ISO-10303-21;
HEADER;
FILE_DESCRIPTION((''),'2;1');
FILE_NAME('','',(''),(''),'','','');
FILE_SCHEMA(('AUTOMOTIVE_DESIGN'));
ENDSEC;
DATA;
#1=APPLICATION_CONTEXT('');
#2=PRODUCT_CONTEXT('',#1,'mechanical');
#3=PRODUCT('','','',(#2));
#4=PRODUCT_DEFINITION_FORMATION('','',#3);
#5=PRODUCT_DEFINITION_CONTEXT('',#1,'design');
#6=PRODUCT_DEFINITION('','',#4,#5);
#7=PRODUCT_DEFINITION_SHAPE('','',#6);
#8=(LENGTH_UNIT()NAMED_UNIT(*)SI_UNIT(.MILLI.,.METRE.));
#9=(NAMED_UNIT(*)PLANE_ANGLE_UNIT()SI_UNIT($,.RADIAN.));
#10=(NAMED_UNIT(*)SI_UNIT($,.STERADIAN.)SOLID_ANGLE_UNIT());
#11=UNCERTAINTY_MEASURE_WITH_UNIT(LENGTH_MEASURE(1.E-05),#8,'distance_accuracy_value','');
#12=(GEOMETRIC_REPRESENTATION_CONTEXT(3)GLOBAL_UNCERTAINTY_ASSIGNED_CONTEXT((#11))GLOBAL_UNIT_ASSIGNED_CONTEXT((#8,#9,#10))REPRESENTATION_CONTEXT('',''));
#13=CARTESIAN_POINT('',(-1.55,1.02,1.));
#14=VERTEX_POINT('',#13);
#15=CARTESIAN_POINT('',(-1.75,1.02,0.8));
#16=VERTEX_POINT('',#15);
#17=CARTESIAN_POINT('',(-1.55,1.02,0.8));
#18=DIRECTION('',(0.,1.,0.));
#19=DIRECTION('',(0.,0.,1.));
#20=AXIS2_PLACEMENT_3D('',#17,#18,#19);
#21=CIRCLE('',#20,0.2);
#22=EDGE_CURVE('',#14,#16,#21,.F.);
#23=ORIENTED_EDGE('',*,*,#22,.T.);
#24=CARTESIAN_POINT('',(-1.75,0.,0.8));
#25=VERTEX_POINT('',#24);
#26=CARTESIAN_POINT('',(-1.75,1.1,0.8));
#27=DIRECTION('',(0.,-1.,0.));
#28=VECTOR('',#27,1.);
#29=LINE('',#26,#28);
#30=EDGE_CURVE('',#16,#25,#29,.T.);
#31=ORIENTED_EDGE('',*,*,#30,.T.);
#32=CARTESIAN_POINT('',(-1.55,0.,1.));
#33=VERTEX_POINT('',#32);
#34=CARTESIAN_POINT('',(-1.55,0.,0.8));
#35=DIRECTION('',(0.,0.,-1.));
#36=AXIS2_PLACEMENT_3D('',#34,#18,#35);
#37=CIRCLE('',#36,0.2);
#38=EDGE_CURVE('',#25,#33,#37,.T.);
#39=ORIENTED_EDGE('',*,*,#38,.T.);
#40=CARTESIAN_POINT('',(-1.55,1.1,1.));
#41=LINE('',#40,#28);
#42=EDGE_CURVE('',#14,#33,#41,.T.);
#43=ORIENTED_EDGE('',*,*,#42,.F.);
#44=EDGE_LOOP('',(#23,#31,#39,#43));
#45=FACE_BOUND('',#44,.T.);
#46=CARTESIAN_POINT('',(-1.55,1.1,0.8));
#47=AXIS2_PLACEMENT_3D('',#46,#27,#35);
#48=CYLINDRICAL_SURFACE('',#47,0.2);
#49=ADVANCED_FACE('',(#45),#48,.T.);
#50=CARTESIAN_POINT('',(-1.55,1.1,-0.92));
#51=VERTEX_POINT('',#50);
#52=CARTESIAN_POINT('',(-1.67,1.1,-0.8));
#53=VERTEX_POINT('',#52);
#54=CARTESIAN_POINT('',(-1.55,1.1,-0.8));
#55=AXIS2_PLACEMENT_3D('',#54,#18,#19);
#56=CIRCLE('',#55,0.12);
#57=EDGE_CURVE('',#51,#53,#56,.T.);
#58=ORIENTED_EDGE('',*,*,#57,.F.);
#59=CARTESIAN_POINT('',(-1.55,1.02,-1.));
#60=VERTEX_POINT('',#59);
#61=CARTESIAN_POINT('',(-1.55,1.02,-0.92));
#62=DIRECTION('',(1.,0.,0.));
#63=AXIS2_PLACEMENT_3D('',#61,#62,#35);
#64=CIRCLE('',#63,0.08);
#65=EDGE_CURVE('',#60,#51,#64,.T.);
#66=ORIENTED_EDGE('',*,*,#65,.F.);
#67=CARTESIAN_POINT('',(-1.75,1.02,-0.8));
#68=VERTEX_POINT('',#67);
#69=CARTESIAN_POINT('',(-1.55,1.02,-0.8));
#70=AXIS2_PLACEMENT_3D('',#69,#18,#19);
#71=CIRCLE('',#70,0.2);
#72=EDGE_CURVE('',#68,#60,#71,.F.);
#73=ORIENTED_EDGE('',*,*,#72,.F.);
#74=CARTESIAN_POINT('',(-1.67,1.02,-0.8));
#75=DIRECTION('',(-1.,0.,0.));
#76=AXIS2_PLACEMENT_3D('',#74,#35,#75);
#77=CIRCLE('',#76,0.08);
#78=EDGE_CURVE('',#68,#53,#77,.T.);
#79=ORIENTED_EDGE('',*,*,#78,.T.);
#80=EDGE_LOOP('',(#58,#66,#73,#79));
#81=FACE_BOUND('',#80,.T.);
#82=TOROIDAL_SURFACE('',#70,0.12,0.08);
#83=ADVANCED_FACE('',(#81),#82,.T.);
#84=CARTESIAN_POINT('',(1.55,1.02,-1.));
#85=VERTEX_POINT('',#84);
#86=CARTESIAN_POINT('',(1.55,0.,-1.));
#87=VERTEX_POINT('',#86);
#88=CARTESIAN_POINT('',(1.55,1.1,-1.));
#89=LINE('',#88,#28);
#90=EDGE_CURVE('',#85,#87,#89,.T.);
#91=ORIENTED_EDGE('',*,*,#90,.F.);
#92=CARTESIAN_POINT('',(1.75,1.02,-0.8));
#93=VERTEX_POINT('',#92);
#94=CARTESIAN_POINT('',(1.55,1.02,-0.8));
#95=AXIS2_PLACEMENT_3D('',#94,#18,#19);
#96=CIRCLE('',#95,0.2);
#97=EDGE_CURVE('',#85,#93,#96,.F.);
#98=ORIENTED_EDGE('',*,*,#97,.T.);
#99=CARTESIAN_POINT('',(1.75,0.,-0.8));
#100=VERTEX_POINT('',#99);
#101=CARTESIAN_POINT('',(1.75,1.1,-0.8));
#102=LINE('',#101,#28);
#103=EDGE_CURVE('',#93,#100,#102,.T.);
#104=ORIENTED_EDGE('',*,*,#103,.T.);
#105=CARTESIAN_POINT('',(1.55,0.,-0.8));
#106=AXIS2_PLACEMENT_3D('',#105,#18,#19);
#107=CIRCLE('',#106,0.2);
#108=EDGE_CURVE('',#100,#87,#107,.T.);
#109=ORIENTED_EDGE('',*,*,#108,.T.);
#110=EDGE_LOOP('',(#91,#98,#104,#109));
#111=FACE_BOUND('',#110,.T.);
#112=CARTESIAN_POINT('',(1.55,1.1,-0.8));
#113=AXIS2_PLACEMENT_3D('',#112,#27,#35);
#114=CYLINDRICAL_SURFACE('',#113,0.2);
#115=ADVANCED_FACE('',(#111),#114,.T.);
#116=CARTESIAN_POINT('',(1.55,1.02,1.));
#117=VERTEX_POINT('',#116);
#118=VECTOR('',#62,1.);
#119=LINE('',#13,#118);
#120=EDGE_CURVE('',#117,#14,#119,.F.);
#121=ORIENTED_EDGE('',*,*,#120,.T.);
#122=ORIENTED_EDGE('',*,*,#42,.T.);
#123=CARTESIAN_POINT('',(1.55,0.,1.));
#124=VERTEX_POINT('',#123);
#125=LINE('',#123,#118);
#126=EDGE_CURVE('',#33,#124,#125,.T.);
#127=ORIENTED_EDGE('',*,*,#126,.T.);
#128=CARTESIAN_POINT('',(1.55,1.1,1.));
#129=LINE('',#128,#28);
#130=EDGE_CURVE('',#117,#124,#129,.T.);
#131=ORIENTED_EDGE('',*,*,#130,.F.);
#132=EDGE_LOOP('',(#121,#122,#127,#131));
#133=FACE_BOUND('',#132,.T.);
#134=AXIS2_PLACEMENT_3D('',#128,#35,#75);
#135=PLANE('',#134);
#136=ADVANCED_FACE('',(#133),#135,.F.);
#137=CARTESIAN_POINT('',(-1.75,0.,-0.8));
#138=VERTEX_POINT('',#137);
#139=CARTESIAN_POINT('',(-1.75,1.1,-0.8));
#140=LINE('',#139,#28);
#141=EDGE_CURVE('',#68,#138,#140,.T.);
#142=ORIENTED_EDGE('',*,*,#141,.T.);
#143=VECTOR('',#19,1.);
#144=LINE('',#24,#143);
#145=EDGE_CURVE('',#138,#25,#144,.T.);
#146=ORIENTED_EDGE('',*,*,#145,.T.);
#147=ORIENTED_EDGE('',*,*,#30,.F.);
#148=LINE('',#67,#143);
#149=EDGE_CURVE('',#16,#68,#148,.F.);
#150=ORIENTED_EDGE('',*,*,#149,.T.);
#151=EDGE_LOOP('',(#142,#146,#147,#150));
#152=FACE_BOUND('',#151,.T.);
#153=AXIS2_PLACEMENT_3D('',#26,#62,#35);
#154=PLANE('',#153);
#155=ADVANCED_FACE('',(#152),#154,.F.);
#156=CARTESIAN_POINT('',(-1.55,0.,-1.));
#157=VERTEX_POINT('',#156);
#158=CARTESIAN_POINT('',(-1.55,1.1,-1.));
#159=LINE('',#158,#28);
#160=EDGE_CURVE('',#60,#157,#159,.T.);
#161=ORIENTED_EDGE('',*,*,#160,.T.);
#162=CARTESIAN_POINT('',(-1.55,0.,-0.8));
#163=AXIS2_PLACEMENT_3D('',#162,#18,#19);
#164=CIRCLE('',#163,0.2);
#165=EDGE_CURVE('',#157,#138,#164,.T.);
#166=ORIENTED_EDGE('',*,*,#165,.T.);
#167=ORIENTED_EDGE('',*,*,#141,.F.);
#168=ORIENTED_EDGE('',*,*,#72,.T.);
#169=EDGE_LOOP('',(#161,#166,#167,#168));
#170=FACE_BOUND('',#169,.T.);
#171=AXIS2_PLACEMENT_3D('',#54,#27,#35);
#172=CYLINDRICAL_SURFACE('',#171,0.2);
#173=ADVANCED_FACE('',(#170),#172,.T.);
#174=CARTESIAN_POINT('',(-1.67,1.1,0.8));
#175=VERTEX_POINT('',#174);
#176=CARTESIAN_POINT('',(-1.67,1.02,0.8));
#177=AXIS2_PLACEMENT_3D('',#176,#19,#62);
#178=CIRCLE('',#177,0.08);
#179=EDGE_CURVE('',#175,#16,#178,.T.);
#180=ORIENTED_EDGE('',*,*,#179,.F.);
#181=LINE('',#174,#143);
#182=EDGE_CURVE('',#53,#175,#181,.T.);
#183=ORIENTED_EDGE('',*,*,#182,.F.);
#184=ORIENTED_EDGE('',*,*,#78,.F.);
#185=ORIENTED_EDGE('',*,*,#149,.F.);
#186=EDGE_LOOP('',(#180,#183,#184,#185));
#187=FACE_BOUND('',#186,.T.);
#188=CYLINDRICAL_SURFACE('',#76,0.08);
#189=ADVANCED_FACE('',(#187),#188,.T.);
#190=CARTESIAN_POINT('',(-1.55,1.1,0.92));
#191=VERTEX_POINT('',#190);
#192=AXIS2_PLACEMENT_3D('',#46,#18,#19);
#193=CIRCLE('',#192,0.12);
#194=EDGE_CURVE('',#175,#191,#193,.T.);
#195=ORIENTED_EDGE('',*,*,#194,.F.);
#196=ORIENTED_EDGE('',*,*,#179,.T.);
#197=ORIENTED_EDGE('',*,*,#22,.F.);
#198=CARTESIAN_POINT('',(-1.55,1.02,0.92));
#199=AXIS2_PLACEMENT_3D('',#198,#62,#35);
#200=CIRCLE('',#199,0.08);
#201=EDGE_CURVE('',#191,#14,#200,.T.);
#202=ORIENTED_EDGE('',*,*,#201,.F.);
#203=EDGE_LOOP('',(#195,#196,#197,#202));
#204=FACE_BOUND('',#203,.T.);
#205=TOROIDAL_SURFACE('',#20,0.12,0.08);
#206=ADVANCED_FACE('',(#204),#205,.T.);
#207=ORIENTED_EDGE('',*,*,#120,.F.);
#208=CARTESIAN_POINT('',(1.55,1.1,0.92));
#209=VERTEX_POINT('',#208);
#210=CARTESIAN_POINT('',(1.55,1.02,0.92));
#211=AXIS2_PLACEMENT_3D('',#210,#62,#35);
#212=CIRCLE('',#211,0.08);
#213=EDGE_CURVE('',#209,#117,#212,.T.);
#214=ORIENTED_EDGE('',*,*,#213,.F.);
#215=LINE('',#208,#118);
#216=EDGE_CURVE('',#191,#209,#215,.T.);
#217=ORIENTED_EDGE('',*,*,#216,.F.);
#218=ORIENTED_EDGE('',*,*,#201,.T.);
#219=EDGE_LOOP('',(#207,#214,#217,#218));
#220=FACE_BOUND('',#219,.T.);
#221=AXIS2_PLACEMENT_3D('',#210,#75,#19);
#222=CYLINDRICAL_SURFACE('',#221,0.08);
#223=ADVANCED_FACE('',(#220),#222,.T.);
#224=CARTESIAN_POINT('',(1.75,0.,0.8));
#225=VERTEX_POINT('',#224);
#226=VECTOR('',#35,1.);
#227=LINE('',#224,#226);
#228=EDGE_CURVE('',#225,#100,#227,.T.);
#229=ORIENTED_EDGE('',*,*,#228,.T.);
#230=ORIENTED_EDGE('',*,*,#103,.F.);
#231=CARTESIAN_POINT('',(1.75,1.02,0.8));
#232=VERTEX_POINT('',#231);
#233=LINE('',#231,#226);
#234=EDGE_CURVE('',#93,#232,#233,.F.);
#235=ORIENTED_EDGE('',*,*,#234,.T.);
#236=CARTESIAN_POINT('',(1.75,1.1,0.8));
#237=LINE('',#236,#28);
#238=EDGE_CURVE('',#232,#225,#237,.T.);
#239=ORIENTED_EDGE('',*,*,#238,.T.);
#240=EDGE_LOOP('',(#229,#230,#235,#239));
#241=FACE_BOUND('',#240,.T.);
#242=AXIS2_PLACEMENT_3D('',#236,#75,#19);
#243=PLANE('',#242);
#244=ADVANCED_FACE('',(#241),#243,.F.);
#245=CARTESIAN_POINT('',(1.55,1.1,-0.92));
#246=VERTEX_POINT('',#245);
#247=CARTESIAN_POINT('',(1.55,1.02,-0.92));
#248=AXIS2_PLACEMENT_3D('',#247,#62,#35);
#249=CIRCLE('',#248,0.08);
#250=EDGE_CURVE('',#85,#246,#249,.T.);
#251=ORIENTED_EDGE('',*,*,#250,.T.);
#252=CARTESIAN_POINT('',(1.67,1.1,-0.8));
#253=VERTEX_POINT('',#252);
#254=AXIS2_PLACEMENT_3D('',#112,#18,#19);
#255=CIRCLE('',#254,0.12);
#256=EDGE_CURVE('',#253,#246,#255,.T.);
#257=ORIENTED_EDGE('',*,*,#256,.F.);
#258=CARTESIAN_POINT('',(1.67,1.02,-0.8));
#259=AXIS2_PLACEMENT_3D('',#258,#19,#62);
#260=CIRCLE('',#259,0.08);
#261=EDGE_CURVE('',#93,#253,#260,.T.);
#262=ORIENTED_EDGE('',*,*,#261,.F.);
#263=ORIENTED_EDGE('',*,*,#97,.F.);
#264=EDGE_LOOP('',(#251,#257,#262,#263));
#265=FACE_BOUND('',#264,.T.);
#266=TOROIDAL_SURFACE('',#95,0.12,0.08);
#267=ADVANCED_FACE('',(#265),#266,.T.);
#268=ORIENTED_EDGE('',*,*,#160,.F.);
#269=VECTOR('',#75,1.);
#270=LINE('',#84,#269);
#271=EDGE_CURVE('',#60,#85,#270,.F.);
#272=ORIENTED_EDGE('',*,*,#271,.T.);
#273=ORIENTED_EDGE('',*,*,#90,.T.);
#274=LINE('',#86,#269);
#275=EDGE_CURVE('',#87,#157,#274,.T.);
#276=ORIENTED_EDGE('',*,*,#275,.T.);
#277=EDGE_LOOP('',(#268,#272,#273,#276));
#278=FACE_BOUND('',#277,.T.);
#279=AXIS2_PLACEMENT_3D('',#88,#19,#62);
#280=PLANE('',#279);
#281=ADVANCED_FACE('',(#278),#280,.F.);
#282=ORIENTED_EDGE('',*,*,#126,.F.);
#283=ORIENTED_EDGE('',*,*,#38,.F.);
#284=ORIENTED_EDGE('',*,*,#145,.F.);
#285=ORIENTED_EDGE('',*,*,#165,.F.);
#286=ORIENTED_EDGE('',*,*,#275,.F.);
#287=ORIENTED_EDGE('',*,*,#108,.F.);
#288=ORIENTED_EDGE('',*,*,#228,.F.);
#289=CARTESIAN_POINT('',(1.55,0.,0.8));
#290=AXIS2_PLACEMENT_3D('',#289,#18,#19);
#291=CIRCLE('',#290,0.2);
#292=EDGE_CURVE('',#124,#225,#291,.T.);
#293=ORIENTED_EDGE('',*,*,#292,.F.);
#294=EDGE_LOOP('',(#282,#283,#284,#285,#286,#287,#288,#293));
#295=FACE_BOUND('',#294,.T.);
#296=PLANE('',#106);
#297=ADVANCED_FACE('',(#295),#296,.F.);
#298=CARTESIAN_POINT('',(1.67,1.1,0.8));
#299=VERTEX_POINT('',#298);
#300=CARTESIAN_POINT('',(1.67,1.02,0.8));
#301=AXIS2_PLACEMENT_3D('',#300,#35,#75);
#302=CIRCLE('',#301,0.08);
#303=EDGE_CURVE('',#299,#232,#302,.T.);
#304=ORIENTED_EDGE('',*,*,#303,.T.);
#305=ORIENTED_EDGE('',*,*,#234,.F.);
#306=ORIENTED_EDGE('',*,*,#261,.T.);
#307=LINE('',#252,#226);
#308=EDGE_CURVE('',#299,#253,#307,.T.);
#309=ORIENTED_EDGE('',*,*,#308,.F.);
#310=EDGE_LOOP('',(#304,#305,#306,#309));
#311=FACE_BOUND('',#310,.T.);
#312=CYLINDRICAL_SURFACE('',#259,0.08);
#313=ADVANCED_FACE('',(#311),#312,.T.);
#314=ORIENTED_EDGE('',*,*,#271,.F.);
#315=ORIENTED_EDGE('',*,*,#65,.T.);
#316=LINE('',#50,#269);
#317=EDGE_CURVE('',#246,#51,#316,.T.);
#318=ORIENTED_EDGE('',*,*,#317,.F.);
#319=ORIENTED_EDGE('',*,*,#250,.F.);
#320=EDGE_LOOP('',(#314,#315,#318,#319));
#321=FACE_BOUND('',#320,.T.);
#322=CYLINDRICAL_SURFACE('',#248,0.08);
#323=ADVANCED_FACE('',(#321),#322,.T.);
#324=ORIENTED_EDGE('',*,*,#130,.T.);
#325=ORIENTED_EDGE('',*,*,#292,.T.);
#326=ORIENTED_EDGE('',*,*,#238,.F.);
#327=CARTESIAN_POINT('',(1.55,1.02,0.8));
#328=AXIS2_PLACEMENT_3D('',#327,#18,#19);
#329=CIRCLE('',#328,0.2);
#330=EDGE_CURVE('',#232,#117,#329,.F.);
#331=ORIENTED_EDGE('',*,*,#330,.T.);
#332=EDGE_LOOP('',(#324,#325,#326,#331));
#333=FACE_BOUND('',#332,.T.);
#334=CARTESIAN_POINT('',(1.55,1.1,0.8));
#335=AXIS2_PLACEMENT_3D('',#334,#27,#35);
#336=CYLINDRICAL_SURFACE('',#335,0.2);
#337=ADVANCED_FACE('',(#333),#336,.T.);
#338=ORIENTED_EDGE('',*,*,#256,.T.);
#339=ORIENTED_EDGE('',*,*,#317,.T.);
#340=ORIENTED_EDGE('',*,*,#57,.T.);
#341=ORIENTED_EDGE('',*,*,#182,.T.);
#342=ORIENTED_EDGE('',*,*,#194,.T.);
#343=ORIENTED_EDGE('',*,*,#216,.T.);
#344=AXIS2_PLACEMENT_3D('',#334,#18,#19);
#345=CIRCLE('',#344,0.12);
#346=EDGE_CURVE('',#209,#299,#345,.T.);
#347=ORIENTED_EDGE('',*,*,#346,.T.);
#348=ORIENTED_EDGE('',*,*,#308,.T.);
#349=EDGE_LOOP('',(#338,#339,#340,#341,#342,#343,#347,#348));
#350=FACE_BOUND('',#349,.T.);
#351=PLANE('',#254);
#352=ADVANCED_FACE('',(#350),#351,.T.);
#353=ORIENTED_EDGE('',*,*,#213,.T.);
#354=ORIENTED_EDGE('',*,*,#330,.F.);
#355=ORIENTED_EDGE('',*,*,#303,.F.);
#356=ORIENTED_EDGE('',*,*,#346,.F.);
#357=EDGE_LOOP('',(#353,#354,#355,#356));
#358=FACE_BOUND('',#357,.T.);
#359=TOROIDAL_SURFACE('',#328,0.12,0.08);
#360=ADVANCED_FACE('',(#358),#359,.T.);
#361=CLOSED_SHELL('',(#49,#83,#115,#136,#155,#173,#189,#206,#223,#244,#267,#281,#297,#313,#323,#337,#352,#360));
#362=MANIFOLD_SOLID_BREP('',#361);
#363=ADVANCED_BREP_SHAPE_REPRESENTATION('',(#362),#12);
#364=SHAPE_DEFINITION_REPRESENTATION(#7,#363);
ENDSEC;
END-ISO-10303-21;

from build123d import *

# Parameters (mm, degrees)
BOSS_EXTRU_1_DEPTH = 1.1
CONG_1_R           = 0.08


with BuildPart() as part:
    # Esquisse1 → Boss.-Extru.1 (new body)
    with BuildSketch(Plane(origin=(0, 0, 0), x_dir=(1, 0, 0), z_dir=(0, 1, 0))):
        with BuildLine():
            Line((1.55, -1), (-1.55, -1))
            ThreePointArc((-1.55, -1), (-1.691421356, -0.941421356), (-1.75, -0.8))
            Line((-1.75, -0.8), (-1.75, 0.8))
            ThreePointArc((-1.75, 0.8), (-1.691421356, 0.941421356), (-1.55, 1))
            Line((-1.55, 1), (1.55, 1))
            ThreePointArc((1.55, 1), (1.691421356, 0.941421356), (1.75, 0.8))
            Line((1.75, 0.8), (1.75, -0.8))
            ThreePointArc((1.75, -0.8), (1.691421356, -0.941421356), (1.55, -1))
        make_face()
    extrude(amount=BOSS_EXTRU_1_DEPTH)

    # Congé1
    cong_1_edges = [part.edges().sort_by_distance(p)[0] for p in [
        (-1.691421356, 1.1, -0.941421356),
        (-1.75, 1.1, 0),
        (-1.691421356, 1.1, 0.941421356),
        (0, 1.1, 1),
        (1.691421356, 1.1, 0.941421356),
        (1.75, 1.1, 0),
        (1.691421356, 1.1, -0.941421356),
        (0, 1.1, -1),
    ]]
    fillet(cong_1_edges, radius=CONG_1_R)


solid = part.part
